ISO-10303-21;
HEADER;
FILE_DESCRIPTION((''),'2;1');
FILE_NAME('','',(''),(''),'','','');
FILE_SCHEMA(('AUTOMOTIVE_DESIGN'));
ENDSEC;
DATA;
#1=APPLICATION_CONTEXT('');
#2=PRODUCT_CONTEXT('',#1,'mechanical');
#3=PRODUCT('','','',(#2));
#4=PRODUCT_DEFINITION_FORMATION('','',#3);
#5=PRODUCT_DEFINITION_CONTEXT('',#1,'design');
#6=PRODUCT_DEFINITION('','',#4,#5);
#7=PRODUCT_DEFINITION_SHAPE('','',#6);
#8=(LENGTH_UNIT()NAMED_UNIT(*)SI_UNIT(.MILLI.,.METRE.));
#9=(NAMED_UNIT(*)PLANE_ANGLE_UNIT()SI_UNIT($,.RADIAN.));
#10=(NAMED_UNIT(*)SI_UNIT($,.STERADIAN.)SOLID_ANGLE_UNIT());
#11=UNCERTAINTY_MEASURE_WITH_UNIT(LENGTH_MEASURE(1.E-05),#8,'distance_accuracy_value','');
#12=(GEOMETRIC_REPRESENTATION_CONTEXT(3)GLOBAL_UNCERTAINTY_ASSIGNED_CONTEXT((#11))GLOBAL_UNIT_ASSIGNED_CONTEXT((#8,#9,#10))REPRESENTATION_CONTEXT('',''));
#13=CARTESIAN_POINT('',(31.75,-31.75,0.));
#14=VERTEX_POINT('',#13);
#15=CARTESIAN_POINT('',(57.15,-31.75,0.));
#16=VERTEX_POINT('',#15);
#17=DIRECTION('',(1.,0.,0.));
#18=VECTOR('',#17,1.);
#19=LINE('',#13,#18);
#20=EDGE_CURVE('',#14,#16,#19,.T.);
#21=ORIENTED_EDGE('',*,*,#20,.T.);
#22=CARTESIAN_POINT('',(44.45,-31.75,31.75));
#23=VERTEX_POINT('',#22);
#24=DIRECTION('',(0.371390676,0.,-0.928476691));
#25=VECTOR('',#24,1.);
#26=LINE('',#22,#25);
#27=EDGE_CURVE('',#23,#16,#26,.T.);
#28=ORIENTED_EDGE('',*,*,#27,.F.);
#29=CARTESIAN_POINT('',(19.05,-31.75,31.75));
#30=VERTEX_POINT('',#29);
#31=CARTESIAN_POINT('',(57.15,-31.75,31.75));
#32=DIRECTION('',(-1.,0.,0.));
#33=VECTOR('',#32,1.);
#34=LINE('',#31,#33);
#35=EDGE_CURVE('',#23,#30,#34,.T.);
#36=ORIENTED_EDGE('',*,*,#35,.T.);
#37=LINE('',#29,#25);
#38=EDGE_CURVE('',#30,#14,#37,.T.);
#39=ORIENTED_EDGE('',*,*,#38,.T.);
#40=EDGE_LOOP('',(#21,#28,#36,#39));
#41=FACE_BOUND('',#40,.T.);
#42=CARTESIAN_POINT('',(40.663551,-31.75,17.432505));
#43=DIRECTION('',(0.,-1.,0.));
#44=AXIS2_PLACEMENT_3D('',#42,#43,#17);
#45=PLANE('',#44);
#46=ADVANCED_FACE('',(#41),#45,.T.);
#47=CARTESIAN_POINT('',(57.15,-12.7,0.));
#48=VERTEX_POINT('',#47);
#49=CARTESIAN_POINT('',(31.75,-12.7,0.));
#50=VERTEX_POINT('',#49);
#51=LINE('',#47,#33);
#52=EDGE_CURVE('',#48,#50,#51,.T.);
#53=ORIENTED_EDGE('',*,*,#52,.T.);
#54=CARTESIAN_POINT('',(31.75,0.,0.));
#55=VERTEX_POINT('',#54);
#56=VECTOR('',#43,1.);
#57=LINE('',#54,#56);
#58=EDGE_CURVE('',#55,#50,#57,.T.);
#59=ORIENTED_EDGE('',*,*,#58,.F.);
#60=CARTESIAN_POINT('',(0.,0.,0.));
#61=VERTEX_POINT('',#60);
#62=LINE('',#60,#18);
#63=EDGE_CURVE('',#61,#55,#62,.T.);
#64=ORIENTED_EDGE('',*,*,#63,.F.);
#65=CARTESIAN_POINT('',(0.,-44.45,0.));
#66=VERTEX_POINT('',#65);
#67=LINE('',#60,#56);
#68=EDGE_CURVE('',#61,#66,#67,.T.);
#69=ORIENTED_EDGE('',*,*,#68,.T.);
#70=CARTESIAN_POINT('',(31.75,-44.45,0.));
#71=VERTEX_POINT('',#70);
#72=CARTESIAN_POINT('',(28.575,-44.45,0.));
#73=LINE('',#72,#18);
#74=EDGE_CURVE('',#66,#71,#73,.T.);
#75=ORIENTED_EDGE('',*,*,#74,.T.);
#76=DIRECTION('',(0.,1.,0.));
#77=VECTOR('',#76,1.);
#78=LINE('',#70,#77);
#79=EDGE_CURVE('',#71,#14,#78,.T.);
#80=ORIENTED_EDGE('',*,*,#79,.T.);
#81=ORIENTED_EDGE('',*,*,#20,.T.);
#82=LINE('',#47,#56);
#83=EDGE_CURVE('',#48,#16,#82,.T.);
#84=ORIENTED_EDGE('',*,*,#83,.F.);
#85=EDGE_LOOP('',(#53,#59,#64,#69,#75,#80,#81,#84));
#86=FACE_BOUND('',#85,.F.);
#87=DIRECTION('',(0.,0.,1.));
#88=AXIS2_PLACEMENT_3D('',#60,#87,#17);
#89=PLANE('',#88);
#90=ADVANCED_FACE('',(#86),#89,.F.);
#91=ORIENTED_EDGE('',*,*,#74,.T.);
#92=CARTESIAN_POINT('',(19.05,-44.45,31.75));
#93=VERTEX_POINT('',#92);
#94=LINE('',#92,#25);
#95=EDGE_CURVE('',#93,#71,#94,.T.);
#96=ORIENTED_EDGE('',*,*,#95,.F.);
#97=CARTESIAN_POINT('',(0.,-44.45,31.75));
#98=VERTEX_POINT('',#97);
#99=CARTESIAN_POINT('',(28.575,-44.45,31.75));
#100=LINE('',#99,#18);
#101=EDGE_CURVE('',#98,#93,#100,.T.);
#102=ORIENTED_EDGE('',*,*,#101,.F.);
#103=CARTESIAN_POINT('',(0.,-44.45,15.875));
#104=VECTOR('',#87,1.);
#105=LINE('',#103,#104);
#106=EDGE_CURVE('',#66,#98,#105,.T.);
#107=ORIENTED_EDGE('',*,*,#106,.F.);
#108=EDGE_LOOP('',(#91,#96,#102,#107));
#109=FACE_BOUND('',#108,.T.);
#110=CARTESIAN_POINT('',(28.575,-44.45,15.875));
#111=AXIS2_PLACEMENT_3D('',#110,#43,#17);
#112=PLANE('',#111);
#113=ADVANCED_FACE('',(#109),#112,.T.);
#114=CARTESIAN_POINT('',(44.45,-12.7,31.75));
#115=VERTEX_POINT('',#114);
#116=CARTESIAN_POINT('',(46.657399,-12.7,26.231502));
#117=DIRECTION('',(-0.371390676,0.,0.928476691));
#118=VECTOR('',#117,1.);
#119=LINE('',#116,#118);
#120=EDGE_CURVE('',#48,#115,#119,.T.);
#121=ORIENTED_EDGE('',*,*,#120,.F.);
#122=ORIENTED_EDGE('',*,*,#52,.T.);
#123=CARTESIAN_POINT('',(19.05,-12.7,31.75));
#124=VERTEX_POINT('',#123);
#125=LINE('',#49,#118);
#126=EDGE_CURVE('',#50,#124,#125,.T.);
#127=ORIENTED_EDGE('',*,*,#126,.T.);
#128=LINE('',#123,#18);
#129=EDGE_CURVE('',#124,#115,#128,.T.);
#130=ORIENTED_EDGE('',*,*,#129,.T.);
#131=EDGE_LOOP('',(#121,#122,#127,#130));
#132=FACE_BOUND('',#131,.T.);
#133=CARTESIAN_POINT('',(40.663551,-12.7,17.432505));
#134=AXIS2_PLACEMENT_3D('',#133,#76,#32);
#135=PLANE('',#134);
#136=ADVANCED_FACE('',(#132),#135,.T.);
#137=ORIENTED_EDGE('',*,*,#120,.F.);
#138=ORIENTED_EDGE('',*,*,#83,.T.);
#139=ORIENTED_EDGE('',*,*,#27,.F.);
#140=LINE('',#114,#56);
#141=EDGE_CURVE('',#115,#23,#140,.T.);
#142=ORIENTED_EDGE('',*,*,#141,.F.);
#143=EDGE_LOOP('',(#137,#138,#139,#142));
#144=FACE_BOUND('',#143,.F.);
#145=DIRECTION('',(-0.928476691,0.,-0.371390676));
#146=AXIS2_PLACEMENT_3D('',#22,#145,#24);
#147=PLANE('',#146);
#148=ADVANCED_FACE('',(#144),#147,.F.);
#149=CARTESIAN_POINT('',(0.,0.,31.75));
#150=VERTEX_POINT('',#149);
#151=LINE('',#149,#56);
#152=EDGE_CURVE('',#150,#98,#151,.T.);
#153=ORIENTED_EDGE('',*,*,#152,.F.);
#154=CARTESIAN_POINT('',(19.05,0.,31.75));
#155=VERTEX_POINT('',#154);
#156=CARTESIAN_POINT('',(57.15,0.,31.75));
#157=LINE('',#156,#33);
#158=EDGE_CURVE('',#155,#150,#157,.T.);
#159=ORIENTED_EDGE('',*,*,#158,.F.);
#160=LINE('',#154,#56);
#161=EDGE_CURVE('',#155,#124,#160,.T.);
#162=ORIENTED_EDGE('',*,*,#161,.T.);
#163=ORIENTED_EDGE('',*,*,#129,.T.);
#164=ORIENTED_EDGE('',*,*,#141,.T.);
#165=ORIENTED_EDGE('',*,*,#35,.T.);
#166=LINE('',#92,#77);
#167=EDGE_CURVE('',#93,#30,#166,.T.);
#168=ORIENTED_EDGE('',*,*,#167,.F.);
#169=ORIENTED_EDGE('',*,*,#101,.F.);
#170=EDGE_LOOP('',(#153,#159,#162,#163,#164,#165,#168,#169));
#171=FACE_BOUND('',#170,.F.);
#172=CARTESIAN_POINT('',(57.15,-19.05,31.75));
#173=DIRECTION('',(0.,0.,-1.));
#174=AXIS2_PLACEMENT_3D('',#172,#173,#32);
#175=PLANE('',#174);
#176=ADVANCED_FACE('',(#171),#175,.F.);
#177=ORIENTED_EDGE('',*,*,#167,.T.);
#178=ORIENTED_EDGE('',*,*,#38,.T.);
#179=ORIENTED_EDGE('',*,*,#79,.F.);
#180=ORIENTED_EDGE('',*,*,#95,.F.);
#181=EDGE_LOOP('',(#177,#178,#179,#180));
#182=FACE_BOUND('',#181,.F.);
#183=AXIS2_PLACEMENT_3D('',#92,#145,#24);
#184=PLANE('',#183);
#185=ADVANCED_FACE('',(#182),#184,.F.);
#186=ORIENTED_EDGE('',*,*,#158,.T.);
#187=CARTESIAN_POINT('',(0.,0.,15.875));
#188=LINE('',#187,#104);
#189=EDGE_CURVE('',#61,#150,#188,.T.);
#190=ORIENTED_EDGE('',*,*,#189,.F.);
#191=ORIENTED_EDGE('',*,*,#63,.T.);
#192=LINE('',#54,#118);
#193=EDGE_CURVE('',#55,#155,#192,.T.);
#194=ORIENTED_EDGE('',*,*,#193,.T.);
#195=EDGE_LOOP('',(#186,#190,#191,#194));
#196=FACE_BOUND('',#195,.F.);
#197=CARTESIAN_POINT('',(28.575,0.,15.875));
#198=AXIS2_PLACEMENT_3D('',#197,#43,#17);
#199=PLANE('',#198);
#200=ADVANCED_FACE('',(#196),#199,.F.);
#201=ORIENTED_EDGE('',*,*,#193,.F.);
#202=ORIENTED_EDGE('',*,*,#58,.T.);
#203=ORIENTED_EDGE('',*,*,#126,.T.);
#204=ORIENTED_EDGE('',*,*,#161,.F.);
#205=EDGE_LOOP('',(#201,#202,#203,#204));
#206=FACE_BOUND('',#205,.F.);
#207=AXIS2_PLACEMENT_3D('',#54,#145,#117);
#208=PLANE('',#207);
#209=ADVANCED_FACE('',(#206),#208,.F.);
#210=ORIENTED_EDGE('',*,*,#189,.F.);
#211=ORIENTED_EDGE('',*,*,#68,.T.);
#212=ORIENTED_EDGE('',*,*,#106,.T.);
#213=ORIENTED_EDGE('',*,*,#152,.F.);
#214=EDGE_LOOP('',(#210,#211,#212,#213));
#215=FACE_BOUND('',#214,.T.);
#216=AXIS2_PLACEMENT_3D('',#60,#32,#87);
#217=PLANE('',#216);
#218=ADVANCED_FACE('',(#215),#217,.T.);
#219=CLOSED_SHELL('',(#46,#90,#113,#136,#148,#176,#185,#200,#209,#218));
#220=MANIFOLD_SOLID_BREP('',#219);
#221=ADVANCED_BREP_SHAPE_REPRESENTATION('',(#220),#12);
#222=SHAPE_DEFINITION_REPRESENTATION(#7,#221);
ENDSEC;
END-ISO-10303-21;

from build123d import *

# Parameters (mm, degrees)
F0_W      = 57.15
F0_H      = 31.75
F1_DEPTH  = 44.45
F3_DEPTH  = 12.7
F5_DEPTH  = 12.7
F7_DEPTH  = 12.7
F9_DEPTH  = 12.7
F10_DEPTH = 6.35
F11_DEPTH = 6.35
F12_DEPTH = 25.4


with BuildPart() as f1:
    # F0 (on Front) → F1 (new body)
    with BuildSketch(Plane.XZ):
        with Locations((28.575, 15.875)):
            Rectangle(F0_W, F0_H)
    extrude(amount=F1_DEPTH)

    # F2 (on Front) → F3 (cut)
    with BuildSketch(Plane.XZ):
        Polygon((19.05, 31.75), (19.05, 0), (31.75, 0), align=None)
    extrude(amount=-F3_DEPTH, mode=Mode.SUBTRACT)

    # F4 (on face) → F5 (cut)
    with BuildSketch(Plane.XZ.offset(44.45)):
        Polygon((31.75, 0), (57.15, 0), (57.15, 31.75), (19.05, 31.75), align=None)
    extrude(amount=-F5_DEPTH, mode=Mode.SUBTRACT)

    # F6 (on face) → F7 (cut)
    with BuildSketch(Plane(origin=(0, 0, 0), x_dir=(-1, 0, 0), z_dir=(0, 1, 0))):
        Polygon((-57.15, 31.75), (-57.15, 0), (-31.75, 0), (-19.05, 31.75), align=None)
    extrude(amount=-F7_DEPTH, mode=Mode.SUBTRACT)

    # F8 (on face) → F9 (cut)
    with BuildSketch(Plane.XZ.offset(31.75)):
        Polygon((44.45, 31.75), (57.15, 0), (57.15, 31.75), align=None)
    extrude(amount=-F9_DEPTH, mode=Mode.SUBTRACT)

    # F10 (add): a face of the model
    f10_faces = [f1.faces().sort_by_distance(p)[0] for p in [
        (52.9166666667, -19.05, 21.1666666667),
    ]]
    extrude(f10_faces, amount=F10_DEPTH)

    # F11 (cut): a face of the model
    f11_faces = [f1.faces().sort_by_distance(p)[0] for p in [
        (52.9166666667, -25.4, 21.1666666667),
    ]]
    extrude(f11_faces, amount=-F11_DEPTH, mode=Mode.SUBTRACT)

    # F12 (cut): a face of the model
    f12_faces = [f1.faces().sort_by_distance(p)[0] for p in [
        (52.9166666667, -19.05, 21.1666666667),
    ]]
    extrude(f12_faces, amount=-F12_DEPTH, mode=Mode.SUBTRACT)


solid = f1.part
